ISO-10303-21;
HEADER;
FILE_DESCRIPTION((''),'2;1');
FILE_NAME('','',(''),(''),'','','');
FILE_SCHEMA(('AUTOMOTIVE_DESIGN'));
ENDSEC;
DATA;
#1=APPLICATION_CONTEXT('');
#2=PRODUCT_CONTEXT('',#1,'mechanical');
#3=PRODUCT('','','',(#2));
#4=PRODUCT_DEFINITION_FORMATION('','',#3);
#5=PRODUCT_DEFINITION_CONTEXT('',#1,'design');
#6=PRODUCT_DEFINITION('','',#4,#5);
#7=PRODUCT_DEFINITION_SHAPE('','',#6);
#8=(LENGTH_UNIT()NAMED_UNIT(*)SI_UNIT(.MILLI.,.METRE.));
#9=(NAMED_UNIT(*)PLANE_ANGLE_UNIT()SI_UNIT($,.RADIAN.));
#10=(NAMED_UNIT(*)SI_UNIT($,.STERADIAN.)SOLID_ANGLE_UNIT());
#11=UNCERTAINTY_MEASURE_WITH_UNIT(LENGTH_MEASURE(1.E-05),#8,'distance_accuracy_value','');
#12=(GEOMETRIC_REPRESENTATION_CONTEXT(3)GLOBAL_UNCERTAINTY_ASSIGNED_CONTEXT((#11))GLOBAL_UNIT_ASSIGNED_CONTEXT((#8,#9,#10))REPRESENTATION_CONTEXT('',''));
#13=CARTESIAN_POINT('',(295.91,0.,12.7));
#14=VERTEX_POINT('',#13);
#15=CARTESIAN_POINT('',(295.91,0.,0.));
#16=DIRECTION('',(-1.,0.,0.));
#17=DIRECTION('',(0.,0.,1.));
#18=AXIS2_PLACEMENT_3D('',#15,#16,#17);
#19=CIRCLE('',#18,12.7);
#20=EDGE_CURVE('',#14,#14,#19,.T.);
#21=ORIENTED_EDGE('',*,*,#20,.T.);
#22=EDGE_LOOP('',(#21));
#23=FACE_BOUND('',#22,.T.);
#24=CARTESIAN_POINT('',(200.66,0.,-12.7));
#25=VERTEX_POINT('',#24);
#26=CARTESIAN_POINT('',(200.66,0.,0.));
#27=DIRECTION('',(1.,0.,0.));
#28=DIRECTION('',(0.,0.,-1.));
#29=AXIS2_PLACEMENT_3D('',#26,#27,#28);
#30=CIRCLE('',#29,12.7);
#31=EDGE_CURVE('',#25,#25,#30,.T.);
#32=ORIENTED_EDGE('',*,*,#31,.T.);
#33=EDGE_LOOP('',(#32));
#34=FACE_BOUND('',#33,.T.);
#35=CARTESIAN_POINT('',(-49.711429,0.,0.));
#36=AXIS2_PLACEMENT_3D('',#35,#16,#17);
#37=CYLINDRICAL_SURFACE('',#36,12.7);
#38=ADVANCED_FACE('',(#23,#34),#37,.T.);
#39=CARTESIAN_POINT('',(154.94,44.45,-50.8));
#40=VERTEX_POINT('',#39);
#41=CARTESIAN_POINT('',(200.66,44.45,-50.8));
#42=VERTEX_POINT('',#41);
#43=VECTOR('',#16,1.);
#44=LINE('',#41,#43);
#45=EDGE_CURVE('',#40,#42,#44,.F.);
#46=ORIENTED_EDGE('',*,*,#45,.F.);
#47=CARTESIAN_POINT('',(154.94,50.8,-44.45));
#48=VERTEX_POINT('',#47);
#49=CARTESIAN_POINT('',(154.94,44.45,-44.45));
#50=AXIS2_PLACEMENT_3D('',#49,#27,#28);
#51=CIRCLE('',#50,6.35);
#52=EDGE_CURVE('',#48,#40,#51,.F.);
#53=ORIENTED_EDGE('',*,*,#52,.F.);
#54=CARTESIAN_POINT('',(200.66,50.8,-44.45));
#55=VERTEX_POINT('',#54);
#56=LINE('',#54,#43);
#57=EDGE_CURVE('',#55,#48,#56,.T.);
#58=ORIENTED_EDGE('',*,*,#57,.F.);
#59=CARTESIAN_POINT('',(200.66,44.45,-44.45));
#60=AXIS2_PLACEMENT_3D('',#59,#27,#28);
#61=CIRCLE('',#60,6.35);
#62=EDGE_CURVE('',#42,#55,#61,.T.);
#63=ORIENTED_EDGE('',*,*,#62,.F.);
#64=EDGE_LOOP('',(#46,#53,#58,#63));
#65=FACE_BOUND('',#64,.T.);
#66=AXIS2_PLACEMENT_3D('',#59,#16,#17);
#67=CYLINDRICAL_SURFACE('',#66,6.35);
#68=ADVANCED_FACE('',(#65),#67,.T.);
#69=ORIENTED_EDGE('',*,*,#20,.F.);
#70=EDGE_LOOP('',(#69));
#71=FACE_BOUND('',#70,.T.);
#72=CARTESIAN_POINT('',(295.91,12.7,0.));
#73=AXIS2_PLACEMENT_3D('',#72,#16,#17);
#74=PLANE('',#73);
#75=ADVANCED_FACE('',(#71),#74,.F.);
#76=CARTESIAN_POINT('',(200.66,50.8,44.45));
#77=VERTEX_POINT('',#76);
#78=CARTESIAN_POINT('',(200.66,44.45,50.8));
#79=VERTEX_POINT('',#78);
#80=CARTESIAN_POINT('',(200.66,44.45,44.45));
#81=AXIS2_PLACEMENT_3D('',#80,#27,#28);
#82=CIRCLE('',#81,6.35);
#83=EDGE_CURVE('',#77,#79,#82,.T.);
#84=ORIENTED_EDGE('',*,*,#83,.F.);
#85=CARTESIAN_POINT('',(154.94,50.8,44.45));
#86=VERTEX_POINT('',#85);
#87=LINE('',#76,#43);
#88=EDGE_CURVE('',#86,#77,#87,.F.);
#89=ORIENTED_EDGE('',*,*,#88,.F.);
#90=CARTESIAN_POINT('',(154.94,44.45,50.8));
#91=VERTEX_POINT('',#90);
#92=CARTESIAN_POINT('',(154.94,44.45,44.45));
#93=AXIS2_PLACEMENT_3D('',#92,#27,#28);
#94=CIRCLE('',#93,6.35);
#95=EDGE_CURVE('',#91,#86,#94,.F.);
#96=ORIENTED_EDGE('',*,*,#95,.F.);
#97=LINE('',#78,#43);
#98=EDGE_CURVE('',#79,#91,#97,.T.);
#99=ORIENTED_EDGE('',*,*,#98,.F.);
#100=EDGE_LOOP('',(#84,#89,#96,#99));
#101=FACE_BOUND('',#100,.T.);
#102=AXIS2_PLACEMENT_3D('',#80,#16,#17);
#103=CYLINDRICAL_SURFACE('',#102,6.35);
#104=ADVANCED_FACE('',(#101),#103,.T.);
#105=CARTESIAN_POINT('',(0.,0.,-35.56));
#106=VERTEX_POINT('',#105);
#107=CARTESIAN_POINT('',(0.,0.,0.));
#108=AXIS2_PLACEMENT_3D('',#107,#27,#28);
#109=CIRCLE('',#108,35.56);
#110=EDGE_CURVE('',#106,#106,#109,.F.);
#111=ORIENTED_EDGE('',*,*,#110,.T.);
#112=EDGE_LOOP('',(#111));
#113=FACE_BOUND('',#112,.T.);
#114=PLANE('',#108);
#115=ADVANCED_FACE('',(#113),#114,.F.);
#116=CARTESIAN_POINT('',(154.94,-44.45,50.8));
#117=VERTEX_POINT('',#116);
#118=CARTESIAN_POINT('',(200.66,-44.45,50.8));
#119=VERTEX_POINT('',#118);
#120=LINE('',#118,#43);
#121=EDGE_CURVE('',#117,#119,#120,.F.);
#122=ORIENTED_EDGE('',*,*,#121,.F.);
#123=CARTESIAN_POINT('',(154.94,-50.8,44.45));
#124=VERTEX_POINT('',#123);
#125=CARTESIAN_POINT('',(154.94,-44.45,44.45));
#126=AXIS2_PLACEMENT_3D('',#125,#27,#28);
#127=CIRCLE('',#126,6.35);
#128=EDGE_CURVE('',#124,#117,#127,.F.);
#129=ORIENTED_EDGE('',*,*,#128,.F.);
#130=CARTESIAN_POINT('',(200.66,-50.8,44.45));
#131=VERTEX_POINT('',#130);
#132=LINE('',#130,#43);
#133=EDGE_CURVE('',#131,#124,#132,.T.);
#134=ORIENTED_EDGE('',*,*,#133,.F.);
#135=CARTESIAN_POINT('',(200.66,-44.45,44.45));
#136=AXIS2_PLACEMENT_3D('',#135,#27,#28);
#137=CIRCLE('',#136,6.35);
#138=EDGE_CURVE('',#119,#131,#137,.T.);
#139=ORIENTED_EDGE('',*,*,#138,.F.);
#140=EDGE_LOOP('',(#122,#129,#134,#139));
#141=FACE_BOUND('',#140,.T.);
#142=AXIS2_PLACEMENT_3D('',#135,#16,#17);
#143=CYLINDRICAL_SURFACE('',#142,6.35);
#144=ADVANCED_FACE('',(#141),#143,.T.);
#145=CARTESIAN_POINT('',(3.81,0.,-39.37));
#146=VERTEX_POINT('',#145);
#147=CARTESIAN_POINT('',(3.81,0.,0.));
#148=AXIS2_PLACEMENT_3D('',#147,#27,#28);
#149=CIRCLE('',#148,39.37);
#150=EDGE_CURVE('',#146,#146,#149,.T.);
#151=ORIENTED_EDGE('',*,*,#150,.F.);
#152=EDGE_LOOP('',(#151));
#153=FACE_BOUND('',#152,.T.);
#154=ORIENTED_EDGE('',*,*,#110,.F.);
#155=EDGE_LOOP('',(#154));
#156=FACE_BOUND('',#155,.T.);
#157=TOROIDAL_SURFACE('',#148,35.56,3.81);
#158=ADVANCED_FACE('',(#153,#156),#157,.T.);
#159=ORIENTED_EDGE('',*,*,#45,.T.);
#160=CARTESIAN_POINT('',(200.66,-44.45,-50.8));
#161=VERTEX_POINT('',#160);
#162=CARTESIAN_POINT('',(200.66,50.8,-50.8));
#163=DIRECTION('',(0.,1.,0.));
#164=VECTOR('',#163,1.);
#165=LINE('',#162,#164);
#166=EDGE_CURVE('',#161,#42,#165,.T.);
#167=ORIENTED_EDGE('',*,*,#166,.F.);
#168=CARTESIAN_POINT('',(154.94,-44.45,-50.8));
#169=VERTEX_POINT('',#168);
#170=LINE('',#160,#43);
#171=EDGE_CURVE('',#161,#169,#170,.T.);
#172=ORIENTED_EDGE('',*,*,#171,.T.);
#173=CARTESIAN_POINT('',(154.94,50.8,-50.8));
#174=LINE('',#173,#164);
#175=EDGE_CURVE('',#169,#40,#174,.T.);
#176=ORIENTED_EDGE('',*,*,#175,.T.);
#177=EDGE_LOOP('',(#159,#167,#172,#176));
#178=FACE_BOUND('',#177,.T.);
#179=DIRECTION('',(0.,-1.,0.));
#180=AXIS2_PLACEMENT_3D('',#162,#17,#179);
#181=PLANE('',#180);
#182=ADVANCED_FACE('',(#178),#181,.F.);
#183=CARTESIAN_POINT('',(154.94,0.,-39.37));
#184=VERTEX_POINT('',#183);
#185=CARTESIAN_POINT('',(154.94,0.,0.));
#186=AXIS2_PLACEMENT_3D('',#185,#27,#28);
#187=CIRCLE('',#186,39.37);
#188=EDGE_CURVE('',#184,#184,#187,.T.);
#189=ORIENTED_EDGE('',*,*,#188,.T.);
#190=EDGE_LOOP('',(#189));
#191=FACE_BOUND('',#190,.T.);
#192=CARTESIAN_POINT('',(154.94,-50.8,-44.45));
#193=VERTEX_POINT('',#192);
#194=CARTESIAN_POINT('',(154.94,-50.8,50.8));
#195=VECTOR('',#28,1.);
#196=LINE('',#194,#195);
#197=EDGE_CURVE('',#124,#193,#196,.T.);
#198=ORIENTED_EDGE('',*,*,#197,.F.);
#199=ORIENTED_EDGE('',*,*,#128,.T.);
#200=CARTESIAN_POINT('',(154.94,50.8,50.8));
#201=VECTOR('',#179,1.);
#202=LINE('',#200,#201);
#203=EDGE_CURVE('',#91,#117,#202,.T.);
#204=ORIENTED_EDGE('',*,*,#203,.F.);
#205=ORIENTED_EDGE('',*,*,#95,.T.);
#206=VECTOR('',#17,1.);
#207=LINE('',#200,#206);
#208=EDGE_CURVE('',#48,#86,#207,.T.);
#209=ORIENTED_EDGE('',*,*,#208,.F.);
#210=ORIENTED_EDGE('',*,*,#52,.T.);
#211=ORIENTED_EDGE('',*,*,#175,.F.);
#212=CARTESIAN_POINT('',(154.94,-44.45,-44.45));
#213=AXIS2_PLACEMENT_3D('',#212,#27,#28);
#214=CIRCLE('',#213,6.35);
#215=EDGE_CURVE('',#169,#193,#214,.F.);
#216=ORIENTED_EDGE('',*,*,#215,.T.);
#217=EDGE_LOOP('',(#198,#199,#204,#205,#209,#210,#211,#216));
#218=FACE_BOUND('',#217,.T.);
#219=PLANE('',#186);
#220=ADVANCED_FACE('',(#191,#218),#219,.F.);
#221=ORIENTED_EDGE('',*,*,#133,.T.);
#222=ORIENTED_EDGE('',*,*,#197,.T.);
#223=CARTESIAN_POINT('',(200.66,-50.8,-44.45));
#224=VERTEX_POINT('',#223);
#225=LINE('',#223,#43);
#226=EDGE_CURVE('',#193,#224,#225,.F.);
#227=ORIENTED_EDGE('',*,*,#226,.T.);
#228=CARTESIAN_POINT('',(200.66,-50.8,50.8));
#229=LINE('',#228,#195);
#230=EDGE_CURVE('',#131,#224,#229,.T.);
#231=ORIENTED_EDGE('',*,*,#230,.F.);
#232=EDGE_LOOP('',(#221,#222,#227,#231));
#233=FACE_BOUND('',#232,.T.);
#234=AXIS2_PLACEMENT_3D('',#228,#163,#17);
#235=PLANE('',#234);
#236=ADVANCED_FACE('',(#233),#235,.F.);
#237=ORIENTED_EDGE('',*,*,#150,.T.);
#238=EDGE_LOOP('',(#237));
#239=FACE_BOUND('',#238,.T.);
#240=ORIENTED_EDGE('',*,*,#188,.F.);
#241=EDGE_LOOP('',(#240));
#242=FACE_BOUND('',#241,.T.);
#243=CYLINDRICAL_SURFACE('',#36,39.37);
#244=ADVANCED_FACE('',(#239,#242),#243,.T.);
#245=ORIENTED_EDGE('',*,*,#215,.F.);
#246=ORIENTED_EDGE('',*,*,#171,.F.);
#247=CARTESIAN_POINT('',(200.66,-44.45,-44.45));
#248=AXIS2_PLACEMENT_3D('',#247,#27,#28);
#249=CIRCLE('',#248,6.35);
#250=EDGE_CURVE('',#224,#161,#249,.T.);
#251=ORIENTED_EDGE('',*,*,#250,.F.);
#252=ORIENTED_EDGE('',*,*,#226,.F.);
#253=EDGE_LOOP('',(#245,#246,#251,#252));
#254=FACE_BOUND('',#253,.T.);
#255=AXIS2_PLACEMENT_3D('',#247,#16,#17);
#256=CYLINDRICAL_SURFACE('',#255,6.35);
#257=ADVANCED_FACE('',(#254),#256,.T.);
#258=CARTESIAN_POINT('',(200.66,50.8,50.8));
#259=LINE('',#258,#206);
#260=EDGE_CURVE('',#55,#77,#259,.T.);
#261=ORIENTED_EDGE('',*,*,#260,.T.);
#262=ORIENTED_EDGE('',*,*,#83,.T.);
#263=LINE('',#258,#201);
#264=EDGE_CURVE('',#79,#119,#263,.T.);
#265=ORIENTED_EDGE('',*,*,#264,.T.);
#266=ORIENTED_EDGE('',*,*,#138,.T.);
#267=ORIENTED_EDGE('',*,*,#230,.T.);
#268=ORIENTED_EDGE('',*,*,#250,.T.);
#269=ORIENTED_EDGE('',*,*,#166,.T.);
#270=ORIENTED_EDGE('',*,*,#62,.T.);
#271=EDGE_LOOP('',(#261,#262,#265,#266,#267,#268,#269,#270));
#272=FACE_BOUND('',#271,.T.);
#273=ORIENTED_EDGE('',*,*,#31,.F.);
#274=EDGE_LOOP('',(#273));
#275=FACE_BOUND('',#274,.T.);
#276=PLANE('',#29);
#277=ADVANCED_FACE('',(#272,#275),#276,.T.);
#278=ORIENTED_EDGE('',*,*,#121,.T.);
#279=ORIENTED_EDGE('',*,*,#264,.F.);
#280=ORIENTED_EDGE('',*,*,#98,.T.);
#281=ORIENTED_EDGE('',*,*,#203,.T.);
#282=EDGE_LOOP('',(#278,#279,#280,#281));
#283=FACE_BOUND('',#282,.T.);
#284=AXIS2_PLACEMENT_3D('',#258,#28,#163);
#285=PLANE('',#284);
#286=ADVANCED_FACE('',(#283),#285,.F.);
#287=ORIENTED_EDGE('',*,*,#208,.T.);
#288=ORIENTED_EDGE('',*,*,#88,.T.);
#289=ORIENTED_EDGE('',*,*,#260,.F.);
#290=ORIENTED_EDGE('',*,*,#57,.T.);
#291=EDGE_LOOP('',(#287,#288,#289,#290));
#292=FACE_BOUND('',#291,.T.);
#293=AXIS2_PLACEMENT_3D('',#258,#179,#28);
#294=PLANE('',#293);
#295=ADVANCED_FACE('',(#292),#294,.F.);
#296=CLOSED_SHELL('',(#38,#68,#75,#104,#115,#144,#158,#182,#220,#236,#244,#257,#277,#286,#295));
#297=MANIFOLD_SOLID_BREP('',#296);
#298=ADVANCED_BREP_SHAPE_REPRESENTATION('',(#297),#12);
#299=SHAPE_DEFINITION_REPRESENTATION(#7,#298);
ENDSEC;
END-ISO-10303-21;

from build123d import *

# Parameters (mm, degrees)
SKETCH2_W           = 101.6
SKETCH2_H           = 101.6
BOSS_EXTRUDE1_DEPTH = 45.72
FILLET1_R           = 6.35
FILLET2_R           = 3.81


with BuildPart() as part:
    # Sketch1 → Revolve1 (revolve)
    with BuildSketch(Plane.XY):
        Polygon((154.94, 12.7), (295.91, 12.7), (295.91, 0), (0, 0), (0, 39.37), (154.94, 39.37), align=None)
    revolve(axis=Axis((-49.711428571, 0, 0), (1, 0, 0)))

    # Sketch2 → Boss-Extrude1 (add)
    with BuildSketch(Plane(origin=(154.94, 0, 0), x_dir=(0, 0, -1), z_dir=(1, 0, 0))):
        Rectangle(SKETCH2_W, SKETCH2_H)
    extrude(amount=BOSS_EXTRUDE1_DEPTH)

    # Fillet1
    fillet1_edges = [part.edges().sort_by_distance(p)[0] for p in [
        (177.8, 50.8, 50.8),
        (177.8, -50.8, 50.8),
        (177.8, -50.8, -50.8),
        (177.8, 50.8, -50.8),
    ]]
    fillet(fillet1_edges, radius=FILLET1_R)

    # Fillet2
    fillet2_edges = [part.edges().sort_by_distance(p)[0] for p in [
        (0, -39.37, 0),
    ]]
    fillet(fillet2_edges, radius=FILLET2_R)


solid = part.part
